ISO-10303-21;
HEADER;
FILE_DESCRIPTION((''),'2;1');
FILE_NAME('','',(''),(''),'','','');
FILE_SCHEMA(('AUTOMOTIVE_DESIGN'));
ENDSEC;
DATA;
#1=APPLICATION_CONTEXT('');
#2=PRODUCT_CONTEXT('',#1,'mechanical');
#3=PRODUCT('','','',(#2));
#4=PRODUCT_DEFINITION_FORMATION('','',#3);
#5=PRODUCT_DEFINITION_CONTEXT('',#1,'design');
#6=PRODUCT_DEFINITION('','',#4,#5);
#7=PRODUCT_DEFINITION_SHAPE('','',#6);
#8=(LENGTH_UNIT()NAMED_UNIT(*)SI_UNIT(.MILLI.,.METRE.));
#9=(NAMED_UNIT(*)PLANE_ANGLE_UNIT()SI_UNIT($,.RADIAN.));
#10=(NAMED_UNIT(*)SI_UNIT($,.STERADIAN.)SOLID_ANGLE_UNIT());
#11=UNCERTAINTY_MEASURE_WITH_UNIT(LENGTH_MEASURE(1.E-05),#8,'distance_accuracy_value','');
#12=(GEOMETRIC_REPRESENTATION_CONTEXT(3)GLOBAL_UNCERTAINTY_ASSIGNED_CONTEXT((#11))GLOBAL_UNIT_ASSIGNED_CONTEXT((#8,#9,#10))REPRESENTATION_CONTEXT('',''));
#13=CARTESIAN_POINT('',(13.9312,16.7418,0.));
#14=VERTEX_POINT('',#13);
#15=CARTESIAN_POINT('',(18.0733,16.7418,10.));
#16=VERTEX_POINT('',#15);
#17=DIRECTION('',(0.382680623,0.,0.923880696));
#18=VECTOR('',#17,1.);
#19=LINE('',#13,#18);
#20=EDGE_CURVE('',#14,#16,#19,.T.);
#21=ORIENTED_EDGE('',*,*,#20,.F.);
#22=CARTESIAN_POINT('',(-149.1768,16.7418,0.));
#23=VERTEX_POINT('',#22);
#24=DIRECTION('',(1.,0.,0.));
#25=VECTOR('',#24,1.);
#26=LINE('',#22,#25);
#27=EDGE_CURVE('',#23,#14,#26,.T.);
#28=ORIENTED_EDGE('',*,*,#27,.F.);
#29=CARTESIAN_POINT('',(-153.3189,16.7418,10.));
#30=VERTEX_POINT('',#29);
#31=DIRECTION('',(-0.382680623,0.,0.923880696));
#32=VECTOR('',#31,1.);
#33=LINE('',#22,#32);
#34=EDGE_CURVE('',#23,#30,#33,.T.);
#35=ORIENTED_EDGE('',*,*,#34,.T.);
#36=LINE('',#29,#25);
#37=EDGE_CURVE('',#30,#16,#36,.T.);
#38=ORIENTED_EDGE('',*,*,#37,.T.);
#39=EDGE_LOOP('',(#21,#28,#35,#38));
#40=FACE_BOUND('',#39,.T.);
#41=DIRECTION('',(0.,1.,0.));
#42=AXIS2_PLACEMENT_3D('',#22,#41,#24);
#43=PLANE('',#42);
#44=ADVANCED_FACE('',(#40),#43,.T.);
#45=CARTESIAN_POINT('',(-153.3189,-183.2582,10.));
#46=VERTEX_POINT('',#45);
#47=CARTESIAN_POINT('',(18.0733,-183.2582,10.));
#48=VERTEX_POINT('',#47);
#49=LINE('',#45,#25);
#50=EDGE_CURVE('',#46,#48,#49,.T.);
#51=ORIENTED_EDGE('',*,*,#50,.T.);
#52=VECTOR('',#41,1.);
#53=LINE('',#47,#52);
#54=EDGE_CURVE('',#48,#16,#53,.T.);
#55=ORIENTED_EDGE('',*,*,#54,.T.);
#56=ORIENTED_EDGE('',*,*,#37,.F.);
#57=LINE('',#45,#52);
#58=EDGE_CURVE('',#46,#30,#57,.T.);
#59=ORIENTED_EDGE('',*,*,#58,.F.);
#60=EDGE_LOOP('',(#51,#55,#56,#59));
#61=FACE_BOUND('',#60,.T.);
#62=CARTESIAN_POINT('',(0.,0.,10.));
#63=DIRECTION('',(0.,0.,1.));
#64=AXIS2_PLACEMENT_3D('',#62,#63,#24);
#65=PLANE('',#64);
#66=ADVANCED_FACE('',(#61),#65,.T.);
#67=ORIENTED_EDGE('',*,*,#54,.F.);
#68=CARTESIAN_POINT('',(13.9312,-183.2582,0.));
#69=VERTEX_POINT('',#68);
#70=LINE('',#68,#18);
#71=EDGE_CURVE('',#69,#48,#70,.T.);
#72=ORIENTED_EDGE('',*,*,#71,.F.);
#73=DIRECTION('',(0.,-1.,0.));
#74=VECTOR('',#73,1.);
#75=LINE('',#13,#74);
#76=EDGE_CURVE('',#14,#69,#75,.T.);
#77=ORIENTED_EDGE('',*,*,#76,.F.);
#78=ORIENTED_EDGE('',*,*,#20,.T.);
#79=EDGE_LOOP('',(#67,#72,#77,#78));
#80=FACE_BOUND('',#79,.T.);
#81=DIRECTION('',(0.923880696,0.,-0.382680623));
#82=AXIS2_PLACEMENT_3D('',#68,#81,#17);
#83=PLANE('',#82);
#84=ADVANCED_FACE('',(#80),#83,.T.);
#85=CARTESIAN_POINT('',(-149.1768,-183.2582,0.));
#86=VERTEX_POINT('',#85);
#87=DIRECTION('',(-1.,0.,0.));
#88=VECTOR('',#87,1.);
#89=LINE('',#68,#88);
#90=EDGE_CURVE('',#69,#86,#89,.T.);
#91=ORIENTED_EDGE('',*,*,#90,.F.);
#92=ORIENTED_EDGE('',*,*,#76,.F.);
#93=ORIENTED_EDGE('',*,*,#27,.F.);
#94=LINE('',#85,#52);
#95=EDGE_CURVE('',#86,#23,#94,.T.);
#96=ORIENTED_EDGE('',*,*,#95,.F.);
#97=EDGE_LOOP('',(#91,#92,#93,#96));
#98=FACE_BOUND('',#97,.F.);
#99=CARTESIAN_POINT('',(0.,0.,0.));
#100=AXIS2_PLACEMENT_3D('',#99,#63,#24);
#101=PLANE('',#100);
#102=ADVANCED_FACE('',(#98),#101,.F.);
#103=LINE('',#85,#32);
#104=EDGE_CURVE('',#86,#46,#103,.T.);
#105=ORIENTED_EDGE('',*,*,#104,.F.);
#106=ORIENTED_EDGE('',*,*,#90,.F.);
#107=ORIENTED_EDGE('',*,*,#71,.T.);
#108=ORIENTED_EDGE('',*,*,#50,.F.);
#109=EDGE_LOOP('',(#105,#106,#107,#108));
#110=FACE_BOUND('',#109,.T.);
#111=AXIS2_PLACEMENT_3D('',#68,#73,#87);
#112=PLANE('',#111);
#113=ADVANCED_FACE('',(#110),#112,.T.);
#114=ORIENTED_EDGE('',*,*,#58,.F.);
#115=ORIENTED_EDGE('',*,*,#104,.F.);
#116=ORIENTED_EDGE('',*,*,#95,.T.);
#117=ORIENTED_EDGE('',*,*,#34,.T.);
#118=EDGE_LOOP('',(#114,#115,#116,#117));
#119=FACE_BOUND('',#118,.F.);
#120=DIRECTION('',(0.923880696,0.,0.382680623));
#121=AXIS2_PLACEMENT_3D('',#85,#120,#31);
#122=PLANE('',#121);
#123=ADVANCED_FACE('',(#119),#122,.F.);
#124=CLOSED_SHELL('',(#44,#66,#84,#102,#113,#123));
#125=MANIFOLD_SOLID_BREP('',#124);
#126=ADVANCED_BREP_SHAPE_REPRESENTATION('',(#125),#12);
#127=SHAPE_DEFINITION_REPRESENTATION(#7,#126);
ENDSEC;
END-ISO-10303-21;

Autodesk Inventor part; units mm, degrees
ref_plane "YZ Plane" through (0, 0, 0) normal (1, 0, 0) x (0, 1, 0)
ref_plane "XZ Plane" through (0, 0, 0) normal (0, 1, 0) x (-1, 0, 0)
ref_plane "XY Plane" through (0, 0, 0) normal (0, 0, 1) x (1, 0, 0)
sketch "Skizze1" plane through (0, 0, 0) normal (0, 0, 1) x (1, 0, 0)
  line L0 (-149.1768, 16.7418) -> (13.9312, 16.7418)
  line L1 (13.9312, 16.7418) -> (13.9312, -183.2582)
  line L2 (13.9312, -183.2582) -> (-149.1768, -183.2582)
  line L3 (-149.1768, -183.2582) -> (-149.1768, 16.7418)
  point P0 (0, 0)
  point P1 (13.9312, 16.7418)
  dimension "d0" = 163.108
  dimension "d1" = 200
  dimension "d2" = 13.9312
  dimension "d3" = 16.7418
  dimension "d4" = 0
  dimension "d5" = 0
  dimension "d6" = 0
  dimension "d7" = 200
  dimension "d8" = 163.108
  dimension "d9" = 0
  dimension "d10" = 163.108
  dimension "d11" = 200
extrude "Extrusion1" add sketch "Skizze1" along normal blind 10
sketch "Skizze2" plane through (-149.1768, -183.2582, 0) normal (0, -1, 0) x (1, 0, 0)
  line L0 (0, 10) -> (163.108, 10) projected
  line L1 (0, 0) -> (0, 10)
  line L2 (0, 10) -> (-4.1421, 10)
  line L3 (0, 0) -> (-4.1421, 10)
  line L4 (163.108, 0) -> (163.108, 10) projected
  line L5 (163.108, 0) -> (163.108, 10)
  line L6 (163.108, 10) -> (167.2501, 10)
  line L7 (163.108, 0) -> (167.2501, 10)
  point P0 (149.1768, 0)
  dimension "d14" = 22.5
  dimension "d15" = 22.5
extrude "Extrusion2" add sketch "Skizze2" against normal up to surface (200 mm away)
properties part number "PlatteAussenZweiSeiten"
